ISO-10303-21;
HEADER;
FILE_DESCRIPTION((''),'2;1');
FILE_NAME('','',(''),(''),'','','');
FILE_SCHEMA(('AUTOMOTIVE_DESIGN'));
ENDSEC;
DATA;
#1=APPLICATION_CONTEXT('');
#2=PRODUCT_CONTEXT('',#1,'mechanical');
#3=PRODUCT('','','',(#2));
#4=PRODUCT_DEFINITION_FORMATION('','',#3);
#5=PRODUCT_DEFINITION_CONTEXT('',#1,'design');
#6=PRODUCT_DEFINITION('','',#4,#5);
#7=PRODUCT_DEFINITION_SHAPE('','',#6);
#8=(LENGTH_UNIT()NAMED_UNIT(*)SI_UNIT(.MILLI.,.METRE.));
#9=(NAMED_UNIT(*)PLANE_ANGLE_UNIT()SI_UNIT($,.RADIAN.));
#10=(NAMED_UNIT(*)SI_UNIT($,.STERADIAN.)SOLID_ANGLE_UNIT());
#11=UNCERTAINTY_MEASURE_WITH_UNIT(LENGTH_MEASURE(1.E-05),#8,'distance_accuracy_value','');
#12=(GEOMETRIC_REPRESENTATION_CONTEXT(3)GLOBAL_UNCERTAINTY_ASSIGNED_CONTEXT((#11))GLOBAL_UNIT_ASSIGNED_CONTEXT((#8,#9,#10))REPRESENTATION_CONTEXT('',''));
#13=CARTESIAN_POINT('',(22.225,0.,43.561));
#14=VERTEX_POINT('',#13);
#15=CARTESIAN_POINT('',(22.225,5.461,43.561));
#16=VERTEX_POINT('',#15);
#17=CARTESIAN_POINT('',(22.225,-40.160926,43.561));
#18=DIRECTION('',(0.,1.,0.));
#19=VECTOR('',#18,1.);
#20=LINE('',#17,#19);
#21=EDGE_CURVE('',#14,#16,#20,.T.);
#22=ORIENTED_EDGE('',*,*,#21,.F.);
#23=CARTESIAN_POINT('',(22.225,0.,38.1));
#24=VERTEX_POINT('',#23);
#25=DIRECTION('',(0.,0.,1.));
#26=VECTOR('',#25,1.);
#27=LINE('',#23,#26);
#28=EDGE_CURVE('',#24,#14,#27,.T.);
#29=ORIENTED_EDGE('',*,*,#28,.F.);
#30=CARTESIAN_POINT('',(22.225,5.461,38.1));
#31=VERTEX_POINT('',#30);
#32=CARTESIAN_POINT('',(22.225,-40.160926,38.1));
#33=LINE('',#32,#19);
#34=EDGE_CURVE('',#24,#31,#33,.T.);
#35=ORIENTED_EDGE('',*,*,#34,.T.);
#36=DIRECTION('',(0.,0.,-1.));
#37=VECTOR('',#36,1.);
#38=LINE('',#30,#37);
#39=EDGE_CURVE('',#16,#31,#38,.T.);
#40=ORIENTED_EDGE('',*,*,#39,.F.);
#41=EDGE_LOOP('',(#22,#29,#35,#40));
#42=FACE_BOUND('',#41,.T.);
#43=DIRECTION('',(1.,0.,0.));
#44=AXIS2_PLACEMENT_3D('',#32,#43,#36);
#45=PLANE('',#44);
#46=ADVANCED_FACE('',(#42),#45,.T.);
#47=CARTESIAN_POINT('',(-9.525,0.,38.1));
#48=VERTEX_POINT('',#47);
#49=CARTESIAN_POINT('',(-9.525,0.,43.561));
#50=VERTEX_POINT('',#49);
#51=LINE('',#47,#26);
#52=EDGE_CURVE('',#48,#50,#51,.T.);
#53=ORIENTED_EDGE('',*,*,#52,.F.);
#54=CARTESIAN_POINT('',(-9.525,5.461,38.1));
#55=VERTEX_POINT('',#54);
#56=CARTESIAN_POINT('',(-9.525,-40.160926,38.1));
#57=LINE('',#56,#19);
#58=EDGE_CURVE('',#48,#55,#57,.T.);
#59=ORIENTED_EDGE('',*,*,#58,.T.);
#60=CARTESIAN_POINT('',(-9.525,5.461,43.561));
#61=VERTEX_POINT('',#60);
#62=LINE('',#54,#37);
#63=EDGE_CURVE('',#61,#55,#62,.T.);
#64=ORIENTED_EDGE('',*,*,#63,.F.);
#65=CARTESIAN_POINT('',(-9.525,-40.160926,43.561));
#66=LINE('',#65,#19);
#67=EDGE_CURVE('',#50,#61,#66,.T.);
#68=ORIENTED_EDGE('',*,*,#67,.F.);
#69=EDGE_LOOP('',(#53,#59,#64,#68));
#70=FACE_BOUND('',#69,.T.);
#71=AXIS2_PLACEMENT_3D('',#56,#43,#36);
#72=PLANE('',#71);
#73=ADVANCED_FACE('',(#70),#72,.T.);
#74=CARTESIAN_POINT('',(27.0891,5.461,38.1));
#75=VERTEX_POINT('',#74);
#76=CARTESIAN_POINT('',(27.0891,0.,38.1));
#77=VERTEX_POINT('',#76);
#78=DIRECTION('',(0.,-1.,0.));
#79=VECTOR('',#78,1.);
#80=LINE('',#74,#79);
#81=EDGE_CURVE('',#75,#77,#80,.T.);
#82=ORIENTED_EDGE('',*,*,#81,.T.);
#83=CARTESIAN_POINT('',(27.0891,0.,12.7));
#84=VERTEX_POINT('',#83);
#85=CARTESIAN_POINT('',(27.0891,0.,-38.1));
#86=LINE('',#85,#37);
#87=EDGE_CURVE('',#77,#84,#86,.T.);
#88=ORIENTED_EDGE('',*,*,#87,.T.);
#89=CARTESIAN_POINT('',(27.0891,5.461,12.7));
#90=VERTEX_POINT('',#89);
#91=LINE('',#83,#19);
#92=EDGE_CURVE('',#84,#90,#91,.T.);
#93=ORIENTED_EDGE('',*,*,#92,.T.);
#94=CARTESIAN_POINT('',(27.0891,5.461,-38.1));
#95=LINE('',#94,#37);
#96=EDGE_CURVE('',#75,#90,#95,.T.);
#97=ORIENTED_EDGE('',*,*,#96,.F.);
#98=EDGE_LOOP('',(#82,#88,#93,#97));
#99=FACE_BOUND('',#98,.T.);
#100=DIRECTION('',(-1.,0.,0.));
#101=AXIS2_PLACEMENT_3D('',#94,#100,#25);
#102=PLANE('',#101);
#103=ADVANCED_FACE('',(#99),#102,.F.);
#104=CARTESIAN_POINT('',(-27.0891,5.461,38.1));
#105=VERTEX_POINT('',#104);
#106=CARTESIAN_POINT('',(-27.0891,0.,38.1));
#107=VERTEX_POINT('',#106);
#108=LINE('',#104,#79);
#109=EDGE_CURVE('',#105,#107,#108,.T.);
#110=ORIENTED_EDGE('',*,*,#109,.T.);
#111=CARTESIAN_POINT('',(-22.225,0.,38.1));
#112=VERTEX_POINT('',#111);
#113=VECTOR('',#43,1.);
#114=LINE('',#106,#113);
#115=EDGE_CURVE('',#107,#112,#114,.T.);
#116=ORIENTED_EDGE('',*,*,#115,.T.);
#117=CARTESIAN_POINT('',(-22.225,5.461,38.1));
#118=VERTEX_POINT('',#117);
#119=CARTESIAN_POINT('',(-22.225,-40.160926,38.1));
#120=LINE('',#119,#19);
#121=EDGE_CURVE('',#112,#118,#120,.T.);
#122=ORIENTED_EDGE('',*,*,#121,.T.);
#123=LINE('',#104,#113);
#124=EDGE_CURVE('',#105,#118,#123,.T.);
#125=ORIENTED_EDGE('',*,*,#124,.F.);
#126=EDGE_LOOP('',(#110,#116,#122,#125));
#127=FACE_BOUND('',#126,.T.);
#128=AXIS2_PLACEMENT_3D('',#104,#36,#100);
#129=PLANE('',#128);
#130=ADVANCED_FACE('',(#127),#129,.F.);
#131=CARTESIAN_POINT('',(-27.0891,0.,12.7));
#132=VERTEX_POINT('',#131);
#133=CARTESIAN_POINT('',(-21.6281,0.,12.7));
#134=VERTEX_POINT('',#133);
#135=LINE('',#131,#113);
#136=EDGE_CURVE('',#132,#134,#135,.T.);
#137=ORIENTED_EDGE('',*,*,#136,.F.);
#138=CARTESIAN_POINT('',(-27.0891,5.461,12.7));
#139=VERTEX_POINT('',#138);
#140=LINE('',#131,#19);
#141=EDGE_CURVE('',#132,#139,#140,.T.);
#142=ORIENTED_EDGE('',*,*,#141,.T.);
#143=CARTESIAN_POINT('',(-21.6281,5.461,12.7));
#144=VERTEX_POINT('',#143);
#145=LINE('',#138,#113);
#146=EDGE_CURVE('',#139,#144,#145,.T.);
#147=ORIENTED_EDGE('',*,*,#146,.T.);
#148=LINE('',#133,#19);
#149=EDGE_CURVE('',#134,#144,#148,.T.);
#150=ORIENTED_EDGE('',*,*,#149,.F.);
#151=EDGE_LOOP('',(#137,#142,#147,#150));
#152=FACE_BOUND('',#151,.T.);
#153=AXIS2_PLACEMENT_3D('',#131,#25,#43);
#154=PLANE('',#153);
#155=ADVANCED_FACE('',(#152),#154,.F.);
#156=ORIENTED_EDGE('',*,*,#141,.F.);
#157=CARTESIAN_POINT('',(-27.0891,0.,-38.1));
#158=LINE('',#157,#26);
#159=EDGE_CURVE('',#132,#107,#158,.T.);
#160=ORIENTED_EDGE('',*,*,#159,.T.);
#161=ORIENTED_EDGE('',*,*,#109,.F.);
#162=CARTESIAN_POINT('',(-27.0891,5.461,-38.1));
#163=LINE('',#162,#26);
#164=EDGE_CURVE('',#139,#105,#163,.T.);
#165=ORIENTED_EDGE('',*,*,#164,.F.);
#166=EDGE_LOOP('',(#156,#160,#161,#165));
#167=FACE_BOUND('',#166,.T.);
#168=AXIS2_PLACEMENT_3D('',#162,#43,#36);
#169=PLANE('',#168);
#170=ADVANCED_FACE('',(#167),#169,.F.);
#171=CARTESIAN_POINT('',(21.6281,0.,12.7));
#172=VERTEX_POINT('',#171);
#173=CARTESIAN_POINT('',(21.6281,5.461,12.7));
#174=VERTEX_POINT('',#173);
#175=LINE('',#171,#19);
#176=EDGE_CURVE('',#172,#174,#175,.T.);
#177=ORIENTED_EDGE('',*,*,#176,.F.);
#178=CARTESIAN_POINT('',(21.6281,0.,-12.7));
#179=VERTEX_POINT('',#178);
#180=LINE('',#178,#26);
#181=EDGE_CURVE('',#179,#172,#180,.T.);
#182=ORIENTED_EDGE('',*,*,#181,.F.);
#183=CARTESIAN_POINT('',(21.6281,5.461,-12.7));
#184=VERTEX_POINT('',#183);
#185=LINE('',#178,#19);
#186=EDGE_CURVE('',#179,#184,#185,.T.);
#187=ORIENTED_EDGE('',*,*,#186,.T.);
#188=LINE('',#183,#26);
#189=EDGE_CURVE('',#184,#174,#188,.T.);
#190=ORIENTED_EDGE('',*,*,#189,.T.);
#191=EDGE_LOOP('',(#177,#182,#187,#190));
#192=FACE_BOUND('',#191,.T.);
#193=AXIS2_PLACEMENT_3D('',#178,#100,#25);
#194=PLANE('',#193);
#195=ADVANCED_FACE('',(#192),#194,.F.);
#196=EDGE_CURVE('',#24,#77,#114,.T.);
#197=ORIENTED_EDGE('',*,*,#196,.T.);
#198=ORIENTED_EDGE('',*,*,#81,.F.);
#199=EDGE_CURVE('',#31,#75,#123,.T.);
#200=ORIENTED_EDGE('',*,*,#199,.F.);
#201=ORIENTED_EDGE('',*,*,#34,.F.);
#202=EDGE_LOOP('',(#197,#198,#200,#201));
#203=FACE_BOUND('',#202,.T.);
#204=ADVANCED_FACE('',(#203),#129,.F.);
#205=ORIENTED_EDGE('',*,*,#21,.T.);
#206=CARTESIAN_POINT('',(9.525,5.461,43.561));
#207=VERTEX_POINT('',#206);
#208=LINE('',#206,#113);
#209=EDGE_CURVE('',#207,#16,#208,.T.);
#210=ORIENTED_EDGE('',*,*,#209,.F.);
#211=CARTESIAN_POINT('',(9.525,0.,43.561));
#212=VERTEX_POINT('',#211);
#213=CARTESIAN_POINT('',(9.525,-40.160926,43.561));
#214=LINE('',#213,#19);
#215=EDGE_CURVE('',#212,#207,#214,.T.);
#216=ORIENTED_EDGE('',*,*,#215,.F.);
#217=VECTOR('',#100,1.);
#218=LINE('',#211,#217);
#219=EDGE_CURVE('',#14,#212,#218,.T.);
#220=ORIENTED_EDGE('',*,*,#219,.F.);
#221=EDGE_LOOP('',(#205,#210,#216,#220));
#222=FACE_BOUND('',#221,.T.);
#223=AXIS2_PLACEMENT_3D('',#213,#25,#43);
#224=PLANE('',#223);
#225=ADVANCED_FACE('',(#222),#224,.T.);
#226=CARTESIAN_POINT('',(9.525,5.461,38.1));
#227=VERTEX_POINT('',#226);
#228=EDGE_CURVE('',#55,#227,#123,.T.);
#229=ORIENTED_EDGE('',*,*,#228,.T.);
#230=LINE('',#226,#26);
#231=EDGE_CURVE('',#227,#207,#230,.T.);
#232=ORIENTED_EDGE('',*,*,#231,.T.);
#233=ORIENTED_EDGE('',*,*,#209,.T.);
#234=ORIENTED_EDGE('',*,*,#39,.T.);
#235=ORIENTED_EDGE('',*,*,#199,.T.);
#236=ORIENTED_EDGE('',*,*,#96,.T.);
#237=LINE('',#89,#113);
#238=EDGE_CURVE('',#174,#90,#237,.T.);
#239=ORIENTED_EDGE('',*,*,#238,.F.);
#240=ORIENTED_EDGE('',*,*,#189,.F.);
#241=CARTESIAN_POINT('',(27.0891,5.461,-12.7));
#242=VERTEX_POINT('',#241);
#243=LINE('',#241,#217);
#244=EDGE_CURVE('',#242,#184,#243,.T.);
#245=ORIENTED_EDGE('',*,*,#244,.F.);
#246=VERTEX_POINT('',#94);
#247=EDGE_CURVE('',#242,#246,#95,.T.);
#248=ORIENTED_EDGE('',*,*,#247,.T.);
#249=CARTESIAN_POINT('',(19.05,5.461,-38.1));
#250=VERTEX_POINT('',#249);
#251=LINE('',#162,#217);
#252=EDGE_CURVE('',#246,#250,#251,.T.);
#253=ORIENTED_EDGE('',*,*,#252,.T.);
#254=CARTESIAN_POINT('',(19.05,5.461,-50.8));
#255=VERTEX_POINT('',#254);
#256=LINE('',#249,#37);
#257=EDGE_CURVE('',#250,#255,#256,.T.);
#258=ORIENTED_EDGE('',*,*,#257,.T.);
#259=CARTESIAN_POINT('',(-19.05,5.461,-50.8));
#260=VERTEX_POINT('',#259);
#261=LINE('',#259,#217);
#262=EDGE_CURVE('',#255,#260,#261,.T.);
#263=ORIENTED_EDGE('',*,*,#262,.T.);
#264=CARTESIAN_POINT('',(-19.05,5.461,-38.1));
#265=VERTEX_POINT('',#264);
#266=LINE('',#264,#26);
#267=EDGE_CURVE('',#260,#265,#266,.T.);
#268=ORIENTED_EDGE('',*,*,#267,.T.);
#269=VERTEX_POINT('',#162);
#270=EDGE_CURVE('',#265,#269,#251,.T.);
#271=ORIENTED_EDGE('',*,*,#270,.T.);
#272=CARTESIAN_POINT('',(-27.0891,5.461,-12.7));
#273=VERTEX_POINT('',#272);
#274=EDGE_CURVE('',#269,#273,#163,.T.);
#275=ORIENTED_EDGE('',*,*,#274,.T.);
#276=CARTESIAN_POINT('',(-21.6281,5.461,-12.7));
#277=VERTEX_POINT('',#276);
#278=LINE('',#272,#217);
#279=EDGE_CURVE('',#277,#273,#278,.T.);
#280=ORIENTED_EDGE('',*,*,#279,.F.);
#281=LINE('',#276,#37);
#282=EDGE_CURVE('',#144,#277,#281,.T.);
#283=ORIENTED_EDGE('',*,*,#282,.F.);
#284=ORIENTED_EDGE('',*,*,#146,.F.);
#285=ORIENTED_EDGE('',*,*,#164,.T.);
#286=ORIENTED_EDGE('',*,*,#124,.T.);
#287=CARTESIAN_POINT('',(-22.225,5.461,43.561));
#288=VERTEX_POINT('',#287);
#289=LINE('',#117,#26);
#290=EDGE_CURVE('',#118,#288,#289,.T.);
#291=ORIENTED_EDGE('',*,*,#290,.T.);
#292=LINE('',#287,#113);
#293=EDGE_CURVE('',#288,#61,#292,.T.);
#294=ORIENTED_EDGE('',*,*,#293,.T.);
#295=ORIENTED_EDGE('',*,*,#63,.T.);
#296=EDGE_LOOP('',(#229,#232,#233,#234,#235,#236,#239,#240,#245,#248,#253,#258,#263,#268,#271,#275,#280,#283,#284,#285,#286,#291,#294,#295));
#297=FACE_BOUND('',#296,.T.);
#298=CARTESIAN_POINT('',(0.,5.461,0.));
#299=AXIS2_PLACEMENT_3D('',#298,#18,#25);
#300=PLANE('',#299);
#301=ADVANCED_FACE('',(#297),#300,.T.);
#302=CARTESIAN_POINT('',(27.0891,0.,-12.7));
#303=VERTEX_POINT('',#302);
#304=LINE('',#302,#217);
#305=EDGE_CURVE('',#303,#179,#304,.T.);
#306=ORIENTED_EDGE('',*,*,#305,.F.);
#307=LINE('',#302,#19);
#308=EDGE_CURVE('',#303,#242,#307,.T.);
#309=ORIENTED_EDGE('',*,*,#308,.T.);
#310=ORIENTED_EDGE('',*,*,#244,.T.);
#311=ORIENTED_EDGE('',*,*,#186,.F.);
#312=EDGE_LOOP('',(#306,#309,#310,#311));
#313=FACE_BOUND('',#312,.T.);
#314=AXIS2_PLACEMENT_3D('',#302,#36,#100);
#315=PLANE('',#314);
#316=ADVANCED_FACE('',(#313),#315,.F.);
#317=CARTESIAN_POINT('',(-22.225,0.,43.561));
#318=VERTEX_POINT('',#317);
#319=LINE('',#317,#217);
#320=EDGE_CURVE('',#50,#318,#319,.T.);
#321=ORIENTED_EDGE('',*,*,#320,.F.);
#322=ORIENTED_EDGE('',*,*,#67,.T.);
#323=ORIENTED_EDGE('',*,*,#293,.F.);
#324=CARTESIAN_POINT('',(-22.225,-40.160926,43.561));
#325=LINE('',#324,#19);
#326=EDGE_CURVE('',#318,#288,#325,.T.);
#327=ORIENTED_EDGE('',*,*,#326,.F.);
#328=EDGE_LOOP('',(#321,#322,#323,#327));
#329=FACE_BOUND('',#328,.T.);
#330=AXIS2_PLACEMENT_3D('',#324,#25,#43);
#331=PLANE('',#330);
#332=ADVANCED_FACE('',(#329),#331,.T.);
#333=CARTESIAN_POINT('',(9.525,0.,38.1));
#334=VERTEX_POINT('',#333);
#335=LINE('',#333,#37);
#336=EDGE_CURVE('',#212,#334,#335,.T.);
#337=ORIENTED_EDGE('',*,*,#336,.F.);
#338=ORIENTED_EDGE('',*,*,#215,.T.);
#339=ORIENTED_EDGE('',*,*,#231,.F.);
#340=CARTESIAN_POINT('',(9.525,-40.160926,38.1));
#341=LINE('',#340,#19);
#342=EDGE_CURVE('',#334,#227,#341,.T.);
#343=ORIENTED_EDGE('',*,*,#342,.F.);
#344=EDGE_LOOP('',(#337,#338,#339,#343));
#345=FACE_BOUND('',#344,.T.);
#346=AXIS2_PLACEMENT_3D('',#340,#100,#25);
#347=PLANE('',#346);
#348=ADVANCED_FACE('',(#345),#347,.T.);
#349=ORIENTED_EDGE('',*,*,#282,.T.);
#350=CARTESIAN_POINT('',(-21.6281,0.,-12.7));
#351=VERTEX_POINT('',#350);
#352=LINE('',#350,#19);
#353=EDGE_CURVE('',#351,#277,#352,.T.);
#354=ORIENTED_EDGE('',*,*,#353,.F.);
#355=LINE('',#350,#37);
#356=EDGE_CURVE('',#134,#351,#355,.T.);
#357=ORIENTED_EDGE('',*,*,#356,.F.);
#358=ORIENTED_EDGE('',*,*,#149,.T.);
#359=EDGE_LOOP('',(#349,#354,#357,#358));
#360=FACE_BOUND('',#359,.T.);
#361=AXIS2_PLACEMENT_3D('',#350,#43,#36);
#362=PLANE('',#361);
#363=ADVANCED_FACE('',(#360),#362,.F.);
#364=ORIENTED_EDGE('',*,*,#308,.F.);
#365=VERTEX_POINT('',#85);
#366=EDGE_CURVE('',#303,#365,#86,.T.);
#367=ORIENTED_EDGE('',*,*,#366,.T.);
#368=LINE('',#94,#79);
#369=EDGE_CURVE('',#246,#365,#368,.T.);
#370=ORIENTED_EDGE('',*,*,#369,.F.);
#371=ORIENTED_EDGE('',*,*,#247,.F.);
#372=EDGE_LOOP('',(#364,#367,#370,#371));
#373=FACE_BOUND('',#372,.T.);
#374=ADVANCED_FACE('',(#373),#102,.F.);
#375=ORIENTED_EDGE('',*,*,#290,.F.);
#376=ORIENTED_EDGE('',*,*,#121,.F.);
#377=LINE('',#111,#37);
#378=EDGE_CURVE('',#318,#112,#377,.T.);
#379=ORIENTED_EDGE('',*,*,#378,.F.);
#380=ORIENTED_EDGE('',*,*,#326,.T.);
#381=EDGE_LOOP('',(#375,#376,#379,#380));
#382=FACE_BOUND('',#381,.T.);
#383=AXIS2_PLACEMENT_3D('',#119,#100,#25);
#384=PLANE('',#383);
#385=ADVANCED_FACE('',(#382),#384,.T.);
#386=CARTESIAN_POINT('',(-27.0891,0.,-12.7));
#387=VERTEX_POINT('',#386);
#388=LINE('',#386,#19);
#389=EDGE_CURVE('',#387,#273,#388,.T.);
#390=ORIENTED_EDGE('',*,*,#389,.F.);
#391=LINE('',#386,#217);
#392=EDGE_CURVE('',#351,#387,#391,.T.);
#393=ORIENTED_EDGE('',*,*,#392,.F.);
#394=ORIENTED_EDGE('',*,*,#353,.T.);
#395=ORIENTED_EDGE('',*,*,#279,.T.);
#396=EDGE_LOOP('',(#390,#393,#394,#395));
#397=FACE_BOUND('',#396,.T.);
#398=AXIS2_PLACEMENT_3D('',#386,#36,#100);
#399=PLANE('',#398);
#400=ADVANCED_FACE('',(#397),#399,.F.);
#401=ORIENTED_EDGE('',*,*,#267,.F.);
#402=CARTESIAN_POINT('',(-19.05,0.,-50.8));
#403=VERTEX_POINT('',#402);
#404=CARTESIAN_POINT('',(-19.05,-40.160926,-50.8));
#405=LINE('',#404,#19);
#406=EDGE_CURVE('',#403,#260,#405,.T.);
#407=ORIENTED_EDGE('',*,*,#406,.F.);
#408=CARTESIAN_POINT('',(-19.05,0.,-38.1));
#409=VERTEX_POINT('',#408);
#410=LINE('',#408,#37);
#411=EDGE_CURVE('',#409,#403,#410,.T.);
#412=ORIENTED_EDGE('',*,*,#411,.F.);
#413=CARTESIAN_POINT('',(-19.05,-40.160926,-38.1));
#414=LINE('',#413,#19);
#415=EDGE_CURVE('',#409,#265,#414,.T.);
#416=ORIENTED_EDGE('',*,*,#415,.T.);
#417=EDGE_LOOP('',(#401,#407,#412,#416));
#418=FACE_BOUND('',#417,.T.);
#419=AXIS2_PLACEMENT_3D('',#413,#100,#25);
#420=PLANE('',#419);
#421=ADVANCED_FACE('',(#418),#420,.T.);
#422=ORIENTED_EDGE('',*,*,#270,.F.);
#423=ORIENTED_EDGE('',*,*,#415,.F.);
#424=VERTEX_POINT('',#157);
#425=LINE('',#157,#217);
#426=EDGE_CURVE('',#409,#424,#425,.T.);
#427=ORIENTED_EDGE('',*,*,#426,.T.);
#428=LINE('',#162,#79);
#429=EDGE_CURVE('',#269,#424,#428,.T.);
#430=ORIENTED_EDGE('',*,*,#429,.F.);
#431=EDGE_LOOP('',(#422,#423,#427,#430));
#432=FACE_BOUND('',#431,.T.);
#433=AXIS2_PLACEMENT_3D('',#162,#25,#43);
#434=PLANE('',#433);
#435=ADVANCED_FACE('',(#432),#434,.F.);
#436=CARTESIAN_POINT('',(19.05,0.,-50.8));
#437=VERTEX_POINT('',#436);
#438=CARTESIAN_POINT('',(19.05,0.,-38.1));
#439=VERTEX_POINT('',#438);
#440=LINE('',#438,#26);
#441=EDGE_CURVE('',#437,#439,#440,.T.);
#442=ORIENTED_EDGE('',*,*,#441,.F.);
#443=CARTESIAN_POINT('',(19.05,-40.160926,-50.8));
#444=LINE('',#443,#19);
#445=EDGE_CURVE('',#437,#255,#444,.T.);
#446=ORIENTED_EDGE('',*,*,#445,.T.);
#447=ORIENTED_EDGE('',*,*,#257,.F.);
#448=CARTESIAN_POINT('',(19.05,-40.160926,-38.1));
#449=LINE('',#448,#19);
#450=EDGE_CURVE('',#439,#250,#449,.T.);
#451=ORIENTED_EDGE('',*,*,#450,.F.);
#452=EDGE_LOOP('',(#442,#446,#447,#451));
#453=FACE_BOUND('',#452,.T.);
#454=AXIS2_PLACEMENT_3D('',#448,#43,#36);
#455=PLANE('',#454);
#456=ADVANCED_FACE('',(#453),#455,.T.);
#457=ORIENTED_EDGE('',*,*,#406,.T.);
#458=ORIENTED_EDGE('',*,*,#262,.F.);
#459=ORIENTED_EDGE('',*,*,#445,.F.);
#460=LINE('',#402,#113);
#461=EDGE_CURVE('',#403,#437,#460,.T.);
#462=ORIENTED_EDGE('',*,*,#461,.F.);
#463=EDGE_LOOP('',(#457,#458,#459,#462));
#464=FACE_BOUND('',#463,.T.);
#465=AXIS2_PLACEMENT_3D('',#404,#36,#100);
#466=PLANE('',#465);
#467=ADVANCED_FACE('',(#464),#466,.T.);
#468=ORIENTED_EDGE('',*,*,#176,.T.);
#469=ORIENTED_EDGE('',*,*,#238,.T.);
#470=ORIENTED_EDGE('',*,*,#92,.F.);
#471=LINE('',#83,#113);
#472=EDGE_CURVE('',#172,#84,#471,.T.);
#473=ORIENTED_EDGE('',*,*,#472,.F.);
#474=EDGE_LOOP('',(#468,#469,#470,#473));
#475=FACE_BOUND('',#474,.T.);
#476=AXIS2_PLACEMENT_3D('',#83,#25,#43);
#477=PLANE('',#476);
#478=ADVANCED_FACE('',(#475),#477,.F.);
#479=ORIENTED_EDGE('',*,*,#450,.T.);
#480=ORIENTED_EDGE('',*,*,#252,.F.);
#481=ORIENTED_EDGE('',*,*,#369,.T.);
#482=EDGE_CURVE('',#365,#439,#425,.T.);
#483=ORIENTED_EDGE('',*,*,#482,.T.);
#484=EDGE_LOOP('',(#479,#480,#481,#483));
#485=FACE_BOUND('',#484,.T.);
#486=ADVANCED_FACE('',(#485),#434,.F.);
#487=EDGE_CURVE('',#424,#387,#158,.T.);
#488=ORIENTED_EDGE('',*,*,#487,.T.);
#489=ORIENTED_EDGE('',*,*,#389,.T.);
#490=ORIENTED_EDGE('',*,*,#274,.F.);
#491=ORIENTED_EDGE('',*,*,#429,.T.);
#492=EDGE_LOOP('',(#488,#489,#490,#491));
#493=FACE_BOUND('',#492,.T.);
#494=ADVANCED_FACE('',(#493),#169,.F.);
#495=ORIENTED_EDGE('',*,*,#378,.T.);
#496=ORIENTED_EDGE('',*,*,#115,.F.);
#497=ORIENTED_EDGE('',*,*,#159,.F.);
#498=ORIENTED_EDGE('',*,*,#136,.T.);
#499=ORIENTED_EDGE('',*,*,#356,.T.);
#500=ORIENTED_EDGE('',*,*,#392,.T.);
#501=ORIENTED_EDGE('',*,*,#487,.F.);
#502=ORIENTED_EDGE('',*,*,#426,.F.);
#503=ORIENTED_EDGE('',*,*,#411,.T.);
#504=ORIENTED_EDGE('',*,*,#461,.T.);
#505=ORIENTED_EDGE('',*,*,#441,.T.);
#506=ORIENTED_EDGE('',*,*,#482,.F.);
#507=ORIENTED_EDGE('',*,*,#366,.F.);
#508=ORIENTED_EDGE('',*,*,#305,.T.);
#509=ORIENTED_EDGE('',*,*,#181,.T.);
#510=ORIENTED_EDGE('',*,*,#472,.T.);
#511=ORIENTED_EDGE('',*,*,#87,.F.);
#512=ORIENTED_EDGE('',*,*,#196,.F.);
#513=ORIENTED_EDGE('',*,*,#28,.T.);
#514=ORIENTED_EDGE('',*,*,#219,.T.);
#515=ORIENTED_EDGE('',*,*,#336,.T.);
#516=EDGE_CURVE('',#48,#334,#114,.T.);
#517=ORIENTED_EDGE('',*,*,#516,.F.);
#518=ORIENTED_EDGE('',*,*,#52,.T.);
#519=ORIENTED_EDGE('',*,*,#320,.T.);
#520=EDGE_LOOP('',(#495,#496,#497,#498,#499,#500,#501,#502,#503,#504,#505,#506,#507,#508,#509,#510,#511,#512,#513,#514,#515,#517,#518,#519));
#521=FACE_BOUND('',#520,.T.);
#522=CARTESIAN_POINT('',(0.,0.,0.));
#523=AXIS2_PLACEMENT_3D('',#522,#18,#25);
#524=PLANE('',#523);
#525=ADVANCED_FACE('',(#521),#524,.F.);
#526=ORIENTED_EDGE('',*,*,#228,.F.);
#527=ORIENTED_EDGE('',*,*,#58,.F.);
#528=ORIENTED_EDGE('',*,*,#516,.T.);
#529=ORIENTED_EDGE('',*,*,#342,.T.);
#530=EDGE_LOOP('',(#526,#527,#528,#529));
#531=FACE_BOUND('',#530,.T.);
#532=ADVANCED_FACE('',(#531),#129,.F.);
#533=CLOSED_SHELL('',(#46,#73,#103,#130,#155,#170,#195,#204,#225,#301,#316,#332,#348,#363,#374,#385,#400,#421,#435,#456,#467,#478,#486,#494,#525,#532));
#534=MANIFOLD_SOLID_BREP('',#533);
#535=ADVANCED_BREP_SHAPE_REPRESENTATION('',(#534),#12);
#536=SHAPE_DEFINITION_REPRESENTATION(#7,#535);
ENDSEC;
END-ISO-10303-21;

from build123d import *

# Parameters (mm, degrees)
SKETCH1_W           = 54.1782
SKETCH1_H           = 76.2
BOSS_EXTRUDE1_DEPTH = 5.461
SKETCH2_W           = 12.7
SKETCH2_H           = 5.461
SKETCH2_W_2         = 38.1
SKETCH2_H_2         = 12.7
BOSS_EXTRUDE2_DEPTH = 5.461
SKETCH3_W           = 5.461
SKETCH3_H           = 25.4
CUT_EXTRUDE1_DEPTH  = 6.461


with BuildPart() as part:
    # Sketch1 → Boss-Extrude1 (new body)
    with BuildSketch(Plane(origin=(0, 0, 0), x_dir=(1, 0, 0), z_dir=(0, 1, 0))):
        Rectangle(SKETCH1_W, SKETCH1_H)
    extrude(amount=BOSS_EXTRUDE1_DEPTH)

    # Sketch2 → Boss-Extrude2 (add)
    with BuildSketch(Plane(origin=(0, 5.461, 0), x_dir=(1, 0, 0), z_dir=(0, 1, 0))):
        with Locations((-15.875, -40.8305)):
            Rectangle(SKETCH2_W, SKETCH2_H)
        with Locations((15.875, -40.8305)):
            Rectangle(SKETCH2_W, SKETCH2_H)
        with Locations((0, 44.45)):
            Rectangle(SKETCH2_W_2, SKETCH2_H_2)
    extrude(amount=-BOSS_EXTRUDE2_DEPTH)

    # Sketch3 → Cut-Extrude1 (cut, through all)
    with BuildSketch(Plane(origin=(0, 5.461, 0), x_dir=(1, 0, 0), z_dir=(0, 1, 0))):
        with Locations((-24.3586, 0)):
            Rectangle(SKETCH3_W, SKETCH3_H)
        with Locations((24.3586, 0)):
            Rectangle(SKETCH3_W, SKETCH3_H)
    extrude(amount=-CUT_EXTRUDE1_DEPTH, mode=Mode.SUBTRACT)


solid = part.part
